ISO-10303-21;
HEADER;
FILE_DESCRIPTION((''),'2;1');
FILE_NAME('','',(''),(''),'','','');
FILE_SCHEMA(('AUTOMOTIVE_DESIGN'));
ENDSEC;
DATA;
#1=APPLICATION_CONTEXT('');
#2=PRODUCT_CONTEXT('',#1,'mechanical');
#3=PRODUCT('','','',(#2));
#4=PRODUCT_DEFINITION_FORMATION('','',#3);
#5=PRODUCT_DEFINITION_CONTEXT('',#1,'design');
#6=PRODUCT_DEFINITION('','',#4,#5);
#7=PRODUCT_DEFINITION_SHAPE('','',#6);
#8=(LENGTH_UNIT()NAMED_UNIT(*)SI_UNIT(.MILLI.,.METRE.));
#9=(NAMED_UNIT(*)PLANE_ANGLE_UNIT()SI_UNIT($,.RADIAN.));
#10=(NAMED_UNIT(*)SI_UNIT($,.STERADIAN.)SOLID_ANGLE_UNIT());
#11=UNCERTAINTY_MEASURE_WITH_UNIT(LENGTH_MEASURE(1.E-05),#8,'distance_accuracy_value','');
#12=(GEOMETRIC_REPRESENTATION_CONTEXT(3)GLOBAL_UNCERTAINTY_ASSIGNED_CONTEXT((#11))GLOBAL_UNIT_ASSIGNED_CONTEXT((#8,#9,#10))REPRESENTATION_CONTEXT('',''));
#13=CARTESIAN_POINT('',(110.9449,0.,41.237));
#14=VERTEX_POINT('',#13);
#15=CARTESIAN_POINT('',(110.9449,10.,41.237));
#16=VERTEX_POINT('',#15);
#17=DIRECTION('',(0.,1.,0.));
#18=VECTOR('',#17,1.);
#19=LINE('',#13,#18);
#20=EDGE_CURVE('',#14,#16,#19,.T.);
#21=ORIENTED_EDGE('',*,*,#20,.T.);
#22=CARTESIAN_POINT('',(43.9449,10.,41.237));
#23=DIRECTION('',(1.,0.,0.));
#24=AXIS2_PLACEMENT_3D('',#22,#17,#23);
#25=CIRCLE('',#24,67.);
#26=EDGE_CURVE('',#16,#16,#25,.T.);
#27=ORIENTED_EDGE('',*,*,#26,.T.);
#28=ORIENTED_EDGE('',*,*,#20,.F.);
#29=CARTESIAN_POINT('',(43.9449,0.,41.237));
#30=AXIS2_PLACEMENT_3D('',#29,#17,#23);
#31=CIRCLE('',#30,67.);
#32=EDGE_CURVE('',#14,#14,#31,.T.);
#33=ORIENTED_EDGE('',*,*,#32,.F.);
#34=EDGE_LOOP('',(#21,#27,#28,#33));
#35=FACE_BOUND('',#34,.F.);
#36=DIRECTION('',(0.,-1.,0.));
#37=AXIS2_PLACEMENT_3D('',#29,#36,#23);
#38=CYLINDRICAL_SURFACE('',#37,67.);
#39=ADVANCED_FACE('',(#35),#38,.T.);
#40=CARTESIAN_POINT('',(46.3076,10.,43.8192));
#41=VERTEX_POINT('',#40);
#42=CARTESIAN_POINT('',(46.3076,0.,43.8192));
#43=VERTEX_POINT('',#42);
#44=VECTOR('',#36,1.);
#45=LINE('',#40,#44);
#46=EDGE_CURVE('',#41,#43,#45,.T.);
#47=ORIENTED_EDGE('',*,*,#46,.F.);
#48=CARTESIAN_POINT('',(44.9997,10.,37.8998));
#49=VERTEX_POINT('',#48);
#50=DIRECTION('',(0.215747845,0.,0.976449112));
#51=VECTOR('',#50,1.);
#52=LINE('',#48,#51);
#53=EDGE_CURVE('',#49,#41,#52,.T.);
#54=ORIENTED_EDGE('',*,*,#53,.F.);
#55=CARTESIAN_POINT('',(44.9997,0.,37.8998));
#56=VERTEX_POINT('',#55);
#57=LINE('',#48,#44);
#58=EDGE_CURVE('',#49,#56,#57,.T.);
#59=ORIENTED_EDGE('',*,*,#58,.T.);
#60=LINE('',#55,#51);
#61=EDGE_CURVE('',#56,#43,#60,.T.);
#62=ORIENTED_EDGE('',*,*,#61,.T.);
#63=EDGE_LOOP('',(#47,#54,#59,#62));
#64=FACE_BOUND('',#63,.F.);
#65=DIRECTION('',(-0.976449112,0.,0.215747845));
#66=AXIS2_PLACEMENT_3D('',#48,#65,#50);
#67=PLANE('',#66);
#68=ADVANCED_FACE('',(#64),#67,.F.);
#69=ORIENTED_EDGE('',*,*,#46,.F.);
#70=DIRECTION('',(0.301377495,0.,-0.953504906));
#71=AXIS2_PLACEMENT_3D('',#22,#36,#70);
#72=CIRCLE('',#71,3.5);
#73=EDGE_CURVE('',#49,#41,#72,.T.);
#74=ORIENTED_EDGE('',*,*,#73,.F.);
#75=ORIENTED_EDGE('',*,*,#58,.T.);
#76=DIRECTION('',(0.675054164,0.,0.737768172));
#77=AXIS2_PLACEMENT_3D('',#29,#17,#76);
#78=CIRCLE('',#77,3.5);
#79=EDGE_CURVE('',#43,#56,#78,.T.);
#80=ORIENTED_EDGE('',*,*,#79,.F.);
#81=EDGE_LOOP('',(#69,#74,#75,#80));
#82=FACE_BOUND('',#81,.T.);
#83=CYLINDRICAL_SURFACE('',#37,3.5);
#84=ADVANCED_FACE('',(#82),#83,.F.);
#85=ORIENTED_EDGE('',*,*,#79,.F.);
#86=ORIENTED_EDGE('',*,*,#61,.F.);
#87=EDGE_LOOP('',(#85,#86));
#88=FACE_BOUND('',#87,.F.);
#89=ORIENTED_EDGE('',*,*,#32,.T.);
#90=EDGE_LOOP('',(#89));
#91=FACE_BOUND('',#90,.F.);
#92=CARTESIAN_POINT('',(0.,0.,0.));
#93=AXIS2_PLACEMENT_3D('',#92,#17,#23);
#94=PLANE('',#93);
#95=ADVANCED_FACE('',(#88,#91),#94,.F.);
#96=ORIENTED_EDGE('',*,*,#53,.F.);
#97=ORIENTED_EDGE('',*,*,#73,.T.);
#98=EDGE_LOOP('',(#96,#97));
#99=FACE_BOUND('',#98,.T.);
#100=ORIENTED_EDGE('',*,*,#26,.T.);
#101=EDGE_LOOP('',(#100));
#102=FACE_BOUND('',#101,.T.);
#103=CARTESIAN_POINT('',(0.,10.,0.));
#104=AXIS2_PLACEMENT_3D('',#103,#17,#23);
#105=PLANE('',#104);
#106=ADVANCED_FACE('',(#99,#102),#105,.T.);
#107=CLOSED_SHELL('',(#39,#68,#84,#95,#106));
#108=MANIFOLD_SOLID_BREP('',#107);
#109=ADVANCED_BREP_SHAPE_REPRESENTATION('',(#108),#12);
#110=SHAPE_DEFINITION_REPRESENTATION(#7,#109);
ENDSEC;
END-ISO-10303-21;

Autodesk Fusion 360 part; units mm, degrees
sketch "Sketch1" plane through (0, 0, 0) normal (0, 1, 0) x (1, 0, 0) in component "wheel"
  circle A0 centre (43.9449, -41.237) radius 67
  circle A1 centre (43.9449, -41.237) radius 3.5
  dimension "d1" = 134
  dimension "d2" = 7
extrude "Extrude1" add sketch "Sketch1" along normal blind 10 in component "wheel"
sketch "Sketch2" plane through (0, 10, 0) normal (0, 1, 0) x (-1, 0, 0) in component "wheel"
  circle A0 centre (-43.9449, 41.237) radius 3.5
  circle A1 centre (-43.9449, 41.237) radius 67
  line L0 (-44.9997, 37.8998) -> (-46.3076, 43.8192)
  dimension "d5" = 1.75
extrude "Extrude2" add sketch "Sketch2" against normal blind 10 contours A0 L0 picked at (-43.9295, 40.8175) in component "wheel"
component "wheel" placed x (1, 0, 0) y (0, 1, 0) z (0, 0, 1) at (0, 0, 0)
